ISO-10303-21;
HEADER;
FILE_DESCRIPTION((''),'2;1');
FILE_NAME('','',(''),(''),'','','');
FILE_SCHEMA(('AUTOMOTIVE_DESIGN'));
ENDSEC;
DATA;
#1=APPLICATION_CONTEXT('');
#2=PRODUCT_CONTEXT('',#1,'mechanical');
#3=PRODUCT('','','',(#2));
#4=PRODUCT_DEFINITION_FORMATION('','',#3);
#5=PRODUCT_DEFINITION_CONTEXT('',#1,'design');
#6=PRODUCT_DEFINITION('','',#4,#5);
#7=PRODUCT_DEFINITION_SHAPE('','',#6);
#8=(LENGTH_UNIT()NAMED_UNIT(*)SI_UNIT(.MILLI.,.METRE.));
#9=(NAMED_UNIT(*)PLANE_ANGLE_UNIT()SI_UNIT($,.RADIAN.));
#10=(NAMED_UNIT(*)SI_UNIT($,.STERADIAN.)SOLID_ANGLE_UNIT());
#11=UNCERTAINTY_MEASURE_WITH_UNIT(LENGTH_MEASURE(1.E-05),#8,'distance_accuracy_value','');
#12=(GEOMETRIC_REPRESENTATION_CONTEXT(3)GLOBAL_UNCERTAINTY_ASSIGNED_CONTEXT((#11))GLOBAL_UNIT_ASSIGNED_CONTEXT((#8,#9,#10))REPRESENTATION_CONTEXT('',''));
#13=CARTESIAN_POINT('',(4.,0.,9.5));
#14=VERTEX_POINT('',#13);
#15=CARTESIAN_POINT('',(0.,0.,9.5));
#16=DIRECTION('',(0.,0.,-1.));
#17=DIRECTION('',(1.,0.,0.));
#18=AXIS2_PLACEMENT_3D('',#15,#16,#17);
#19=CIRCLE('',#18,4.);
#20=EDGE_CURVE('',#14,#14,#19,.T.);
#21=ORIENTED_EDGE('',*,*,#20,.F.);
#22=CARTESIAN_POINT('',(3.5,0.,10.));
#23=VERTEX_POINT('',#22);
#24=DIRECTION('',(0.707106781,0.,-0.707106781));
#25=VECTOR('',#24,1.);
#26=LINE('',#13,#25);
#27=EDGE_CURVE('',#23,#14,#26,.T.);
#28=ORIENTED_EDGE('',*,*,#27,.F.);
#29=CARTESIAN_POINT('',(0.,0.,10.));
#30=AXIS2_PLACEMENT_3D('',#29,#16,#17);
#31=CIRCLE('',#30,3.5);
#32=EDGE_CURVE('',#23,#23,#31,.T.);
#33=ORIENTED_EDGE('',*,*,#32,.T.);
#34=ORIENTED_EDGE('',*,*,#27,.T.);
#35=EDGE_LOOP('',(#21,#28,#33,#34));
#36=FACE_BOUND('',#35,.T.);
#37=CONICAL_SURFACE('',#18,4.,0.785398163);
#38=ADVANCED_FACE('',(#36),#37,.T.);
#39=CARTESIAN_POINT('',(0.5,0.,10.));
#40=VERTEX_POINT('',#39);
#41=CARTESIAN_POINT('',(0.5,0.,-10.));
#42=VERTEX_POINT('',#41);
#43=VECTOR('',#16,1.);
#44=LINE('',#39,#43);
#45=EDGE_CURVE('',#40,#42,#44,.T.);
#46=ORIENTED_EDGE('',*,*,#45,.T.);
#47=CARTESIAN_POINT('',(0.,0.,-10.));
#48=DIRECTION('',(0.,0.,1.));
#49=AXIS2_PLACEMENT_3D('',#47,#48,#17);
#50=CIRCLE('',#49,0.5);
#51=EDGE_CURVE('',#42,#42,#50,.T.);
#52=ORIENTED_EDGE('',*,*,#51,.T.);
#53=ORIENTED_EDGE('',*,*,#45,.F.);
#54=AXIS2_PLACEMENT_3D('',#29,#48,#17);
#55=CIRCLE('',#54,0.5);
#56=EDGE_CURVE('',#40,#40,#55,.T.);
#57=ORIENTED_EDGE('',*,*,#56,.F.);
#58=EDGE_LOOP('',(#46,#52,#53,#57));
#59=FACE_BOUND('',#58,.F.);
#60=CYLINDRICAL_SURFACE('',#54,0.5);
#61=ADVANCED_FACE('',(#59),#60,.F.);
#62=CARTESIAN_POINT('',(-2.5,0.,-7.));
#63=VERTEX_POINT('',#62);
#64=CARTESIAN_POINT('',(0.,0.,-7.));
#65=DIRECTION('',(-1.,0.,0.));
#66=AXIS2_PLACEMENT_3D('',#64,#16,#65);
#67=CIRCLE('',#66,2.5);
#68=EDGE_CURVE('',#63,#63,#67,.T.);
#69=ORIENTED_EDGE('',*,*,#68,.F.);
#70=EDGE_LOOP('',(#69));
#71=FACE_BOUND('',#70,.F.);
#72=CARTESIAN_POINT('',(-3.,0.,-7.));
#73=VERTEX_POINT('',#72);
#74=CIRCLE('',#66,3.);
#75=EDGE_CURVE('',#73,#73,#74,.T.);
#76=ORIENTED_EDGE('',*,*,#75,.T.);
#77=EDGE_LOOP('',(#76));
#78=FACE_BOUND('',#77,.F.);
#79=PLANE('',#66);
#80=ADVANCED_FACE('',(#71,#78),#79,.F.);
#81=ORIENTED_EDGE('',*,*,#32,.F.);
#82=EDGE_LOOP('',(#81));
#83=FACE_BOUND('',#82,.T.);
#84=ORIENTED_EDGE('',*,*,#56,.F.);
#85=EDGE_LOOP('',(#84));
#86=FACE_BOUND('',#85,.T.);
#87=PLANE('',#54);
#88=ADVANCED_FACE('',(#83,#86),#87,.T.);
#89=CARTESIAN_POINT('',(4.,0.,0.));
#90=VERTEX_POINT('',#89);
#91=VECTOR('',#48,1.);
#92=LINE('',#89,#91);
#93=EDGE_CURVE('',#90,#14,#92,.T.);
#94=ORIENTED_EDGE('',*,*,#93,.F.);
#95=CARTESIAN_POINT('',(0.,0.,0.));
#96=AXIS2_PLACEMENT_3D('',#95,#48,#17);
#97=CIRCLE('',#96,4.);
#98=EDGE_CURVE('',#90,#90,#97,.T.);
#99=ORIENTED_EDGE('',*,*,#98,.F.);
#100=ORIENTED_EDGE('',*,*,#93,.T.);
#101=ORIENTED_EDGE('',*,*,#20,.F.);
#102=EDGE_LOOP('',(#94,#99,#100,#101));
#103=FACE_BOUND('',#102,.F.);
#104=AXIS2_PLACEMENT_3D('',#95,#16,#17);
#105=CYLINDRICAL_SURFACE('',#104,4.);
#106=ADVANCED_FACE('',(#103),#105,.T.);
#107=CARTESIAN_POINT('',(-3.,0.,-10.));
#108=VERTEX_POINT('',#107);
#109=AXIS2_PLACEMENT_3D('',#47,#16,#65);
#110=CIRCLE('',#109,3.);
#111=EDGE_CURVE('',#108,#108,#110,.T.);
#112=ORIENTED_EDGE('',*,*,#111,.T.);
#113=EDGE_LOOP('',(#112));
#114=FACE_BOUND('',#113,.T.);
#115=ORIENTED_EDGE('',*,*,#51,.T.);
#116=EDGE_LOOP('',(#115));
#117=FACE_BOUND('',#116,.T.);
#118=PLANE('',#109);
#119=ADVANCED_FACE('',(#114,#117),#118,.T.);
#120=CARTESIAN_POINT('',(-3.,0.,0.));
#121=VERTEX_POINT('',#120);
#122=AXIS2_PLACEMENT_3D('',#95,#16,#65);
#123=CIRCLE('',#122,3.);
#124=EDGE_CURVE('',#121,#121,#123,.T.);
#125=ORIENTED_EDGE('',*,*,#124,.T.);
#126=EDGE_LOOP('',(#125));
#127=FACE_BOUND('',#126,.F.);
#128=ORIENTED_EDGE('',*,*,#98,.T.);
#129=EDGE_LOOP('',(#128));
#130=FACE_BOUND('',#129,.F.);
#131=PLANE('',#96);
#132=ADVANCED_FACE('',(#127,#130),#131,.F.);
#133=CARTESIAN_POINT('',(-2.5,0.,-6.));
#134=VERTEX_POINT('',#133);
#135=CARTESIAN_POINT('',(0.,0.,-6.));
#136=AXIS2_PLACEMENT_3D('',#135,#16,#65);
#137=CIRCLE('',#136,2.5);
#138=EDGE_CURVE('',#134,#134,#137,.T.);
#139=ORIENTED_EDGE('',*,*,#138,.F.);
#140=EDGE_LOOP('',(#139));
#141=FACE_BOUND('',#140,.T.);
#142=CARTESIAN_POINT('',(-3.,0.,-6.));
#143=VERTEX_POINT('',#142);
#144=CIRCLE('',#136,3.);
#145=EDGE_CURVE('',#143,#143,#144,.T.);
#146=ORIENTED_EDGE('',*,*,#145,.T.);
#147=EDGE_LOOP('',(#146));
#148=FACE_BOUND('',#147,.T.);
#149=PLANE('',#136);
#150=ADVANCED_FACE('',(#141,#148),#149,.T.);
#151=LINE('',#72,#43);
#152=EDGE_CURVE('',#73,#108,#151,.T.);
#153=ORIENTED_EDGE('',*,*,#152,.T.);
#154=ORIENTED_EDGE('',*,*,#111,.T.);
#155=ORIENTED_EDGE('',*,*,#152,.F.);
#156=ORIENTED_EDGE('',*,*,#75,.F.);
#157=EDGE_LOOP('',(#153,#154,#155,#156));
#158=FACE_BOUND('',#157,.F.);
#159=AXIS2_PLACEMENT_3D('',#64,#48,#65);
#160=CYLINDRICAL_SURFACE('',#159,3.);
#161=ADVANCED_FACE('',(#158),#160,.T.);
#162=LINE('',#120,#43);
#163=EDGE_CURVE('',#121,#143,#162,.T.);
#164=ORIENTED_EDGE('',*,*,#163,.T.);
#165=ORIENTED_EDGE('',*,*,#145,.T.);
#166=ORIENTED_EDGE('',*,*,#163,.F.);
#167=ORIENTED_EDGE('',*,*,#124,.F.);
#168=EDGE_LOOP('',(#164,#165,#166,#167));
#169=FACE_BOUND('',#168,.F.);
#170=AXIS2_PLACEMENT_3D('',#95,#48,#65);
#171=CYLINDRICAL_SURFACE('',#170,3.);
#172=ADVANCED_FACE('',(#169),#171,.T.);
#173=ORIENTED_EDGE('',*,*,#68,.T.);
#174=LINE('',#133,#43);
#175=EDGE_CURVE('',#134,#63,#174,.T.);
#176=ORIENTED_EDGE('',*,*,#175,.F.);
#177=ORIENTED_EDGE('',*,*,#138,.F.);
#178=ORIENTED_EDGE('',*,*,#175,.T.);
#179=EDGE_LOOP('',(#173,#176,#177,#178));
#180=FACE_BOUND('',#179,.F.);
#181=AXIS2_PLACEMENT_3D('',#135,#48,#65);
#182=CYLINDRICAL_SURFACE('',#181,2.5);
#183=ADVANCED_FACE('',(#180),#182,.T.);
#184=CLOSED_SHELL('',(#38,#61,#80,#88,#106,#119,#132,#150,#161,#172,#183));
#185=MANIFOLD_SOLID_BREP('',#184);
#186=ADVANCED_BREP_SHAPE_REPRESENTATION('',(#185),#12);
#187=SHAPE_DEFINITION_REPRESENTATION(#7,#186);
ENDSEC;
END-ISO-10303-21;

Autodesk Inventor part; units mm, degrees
ref_plane "YZ Plane" through (0, 0, 0) normal (1, 0, 0) x (0, 1, 0)
ref_plane "XZ Plane" through (0, 0, 0) normal (0, 1, 0) x (-1, 0, 0)
ref_plane "XY Plane" through (0, 0, 0) normal (0, 0, 1) x (1, 0, 0)
sketch "Skizze1" plane through (0, 0, 0) normal (0, 0, 1) x (1, 0, 0)
  line L0 (-5.6, 0) -> (5.6, 0) projected
  line L1 (0, -5.6) -> (0, 5.6) projected
  circle A0 centre (0, 0) radius 4
  dimension "d0" = 8
extrude "Extrusion1" add sketch "Skizze1" along normal blind 10
sketch "Skizze2" plane through (0, 0, 0) normal (0, 0, -1) x (-1, 0, 0)
  circle A0 centre (0, 0) radius 3
  dimension "d3" = 6
extrude "Extrusion2" add sketch "Skizze2" along normal blind 6
sketch "Skizze3" plane through (0, 0, -6) normal (0, 0, -1) x (-1, 0, 0)
  circle A0 centre (0, 0) radius 2.5
  dimension "d6" = 5
extrude "Extrusion3" add sketch "Skizze3" along normal blind 1
sketch "Skizze4" plane through (0, 0, -7) normal (0, 0, -1) x (-1, 0, 0)
  circle A0 centre (0, 0) radius 3
extrude "Extrusion4" add sketch "Skizze4" along normal blind 3
sketch "Skizze5" plane through (0, 0, 10) normal (0, 0, 1) x (1, 0, 0)
  circle A0 centre (0, 0) radius 0.5
  dimension "d11" = 1
extrude "Extrusion5" cut sketch "Skizze5" against normal blind 20
chamfer "Fase1" distance 0.5 angle 45 1 edges at (-4, 0, 10)
properties part number "Nebeldüse"
